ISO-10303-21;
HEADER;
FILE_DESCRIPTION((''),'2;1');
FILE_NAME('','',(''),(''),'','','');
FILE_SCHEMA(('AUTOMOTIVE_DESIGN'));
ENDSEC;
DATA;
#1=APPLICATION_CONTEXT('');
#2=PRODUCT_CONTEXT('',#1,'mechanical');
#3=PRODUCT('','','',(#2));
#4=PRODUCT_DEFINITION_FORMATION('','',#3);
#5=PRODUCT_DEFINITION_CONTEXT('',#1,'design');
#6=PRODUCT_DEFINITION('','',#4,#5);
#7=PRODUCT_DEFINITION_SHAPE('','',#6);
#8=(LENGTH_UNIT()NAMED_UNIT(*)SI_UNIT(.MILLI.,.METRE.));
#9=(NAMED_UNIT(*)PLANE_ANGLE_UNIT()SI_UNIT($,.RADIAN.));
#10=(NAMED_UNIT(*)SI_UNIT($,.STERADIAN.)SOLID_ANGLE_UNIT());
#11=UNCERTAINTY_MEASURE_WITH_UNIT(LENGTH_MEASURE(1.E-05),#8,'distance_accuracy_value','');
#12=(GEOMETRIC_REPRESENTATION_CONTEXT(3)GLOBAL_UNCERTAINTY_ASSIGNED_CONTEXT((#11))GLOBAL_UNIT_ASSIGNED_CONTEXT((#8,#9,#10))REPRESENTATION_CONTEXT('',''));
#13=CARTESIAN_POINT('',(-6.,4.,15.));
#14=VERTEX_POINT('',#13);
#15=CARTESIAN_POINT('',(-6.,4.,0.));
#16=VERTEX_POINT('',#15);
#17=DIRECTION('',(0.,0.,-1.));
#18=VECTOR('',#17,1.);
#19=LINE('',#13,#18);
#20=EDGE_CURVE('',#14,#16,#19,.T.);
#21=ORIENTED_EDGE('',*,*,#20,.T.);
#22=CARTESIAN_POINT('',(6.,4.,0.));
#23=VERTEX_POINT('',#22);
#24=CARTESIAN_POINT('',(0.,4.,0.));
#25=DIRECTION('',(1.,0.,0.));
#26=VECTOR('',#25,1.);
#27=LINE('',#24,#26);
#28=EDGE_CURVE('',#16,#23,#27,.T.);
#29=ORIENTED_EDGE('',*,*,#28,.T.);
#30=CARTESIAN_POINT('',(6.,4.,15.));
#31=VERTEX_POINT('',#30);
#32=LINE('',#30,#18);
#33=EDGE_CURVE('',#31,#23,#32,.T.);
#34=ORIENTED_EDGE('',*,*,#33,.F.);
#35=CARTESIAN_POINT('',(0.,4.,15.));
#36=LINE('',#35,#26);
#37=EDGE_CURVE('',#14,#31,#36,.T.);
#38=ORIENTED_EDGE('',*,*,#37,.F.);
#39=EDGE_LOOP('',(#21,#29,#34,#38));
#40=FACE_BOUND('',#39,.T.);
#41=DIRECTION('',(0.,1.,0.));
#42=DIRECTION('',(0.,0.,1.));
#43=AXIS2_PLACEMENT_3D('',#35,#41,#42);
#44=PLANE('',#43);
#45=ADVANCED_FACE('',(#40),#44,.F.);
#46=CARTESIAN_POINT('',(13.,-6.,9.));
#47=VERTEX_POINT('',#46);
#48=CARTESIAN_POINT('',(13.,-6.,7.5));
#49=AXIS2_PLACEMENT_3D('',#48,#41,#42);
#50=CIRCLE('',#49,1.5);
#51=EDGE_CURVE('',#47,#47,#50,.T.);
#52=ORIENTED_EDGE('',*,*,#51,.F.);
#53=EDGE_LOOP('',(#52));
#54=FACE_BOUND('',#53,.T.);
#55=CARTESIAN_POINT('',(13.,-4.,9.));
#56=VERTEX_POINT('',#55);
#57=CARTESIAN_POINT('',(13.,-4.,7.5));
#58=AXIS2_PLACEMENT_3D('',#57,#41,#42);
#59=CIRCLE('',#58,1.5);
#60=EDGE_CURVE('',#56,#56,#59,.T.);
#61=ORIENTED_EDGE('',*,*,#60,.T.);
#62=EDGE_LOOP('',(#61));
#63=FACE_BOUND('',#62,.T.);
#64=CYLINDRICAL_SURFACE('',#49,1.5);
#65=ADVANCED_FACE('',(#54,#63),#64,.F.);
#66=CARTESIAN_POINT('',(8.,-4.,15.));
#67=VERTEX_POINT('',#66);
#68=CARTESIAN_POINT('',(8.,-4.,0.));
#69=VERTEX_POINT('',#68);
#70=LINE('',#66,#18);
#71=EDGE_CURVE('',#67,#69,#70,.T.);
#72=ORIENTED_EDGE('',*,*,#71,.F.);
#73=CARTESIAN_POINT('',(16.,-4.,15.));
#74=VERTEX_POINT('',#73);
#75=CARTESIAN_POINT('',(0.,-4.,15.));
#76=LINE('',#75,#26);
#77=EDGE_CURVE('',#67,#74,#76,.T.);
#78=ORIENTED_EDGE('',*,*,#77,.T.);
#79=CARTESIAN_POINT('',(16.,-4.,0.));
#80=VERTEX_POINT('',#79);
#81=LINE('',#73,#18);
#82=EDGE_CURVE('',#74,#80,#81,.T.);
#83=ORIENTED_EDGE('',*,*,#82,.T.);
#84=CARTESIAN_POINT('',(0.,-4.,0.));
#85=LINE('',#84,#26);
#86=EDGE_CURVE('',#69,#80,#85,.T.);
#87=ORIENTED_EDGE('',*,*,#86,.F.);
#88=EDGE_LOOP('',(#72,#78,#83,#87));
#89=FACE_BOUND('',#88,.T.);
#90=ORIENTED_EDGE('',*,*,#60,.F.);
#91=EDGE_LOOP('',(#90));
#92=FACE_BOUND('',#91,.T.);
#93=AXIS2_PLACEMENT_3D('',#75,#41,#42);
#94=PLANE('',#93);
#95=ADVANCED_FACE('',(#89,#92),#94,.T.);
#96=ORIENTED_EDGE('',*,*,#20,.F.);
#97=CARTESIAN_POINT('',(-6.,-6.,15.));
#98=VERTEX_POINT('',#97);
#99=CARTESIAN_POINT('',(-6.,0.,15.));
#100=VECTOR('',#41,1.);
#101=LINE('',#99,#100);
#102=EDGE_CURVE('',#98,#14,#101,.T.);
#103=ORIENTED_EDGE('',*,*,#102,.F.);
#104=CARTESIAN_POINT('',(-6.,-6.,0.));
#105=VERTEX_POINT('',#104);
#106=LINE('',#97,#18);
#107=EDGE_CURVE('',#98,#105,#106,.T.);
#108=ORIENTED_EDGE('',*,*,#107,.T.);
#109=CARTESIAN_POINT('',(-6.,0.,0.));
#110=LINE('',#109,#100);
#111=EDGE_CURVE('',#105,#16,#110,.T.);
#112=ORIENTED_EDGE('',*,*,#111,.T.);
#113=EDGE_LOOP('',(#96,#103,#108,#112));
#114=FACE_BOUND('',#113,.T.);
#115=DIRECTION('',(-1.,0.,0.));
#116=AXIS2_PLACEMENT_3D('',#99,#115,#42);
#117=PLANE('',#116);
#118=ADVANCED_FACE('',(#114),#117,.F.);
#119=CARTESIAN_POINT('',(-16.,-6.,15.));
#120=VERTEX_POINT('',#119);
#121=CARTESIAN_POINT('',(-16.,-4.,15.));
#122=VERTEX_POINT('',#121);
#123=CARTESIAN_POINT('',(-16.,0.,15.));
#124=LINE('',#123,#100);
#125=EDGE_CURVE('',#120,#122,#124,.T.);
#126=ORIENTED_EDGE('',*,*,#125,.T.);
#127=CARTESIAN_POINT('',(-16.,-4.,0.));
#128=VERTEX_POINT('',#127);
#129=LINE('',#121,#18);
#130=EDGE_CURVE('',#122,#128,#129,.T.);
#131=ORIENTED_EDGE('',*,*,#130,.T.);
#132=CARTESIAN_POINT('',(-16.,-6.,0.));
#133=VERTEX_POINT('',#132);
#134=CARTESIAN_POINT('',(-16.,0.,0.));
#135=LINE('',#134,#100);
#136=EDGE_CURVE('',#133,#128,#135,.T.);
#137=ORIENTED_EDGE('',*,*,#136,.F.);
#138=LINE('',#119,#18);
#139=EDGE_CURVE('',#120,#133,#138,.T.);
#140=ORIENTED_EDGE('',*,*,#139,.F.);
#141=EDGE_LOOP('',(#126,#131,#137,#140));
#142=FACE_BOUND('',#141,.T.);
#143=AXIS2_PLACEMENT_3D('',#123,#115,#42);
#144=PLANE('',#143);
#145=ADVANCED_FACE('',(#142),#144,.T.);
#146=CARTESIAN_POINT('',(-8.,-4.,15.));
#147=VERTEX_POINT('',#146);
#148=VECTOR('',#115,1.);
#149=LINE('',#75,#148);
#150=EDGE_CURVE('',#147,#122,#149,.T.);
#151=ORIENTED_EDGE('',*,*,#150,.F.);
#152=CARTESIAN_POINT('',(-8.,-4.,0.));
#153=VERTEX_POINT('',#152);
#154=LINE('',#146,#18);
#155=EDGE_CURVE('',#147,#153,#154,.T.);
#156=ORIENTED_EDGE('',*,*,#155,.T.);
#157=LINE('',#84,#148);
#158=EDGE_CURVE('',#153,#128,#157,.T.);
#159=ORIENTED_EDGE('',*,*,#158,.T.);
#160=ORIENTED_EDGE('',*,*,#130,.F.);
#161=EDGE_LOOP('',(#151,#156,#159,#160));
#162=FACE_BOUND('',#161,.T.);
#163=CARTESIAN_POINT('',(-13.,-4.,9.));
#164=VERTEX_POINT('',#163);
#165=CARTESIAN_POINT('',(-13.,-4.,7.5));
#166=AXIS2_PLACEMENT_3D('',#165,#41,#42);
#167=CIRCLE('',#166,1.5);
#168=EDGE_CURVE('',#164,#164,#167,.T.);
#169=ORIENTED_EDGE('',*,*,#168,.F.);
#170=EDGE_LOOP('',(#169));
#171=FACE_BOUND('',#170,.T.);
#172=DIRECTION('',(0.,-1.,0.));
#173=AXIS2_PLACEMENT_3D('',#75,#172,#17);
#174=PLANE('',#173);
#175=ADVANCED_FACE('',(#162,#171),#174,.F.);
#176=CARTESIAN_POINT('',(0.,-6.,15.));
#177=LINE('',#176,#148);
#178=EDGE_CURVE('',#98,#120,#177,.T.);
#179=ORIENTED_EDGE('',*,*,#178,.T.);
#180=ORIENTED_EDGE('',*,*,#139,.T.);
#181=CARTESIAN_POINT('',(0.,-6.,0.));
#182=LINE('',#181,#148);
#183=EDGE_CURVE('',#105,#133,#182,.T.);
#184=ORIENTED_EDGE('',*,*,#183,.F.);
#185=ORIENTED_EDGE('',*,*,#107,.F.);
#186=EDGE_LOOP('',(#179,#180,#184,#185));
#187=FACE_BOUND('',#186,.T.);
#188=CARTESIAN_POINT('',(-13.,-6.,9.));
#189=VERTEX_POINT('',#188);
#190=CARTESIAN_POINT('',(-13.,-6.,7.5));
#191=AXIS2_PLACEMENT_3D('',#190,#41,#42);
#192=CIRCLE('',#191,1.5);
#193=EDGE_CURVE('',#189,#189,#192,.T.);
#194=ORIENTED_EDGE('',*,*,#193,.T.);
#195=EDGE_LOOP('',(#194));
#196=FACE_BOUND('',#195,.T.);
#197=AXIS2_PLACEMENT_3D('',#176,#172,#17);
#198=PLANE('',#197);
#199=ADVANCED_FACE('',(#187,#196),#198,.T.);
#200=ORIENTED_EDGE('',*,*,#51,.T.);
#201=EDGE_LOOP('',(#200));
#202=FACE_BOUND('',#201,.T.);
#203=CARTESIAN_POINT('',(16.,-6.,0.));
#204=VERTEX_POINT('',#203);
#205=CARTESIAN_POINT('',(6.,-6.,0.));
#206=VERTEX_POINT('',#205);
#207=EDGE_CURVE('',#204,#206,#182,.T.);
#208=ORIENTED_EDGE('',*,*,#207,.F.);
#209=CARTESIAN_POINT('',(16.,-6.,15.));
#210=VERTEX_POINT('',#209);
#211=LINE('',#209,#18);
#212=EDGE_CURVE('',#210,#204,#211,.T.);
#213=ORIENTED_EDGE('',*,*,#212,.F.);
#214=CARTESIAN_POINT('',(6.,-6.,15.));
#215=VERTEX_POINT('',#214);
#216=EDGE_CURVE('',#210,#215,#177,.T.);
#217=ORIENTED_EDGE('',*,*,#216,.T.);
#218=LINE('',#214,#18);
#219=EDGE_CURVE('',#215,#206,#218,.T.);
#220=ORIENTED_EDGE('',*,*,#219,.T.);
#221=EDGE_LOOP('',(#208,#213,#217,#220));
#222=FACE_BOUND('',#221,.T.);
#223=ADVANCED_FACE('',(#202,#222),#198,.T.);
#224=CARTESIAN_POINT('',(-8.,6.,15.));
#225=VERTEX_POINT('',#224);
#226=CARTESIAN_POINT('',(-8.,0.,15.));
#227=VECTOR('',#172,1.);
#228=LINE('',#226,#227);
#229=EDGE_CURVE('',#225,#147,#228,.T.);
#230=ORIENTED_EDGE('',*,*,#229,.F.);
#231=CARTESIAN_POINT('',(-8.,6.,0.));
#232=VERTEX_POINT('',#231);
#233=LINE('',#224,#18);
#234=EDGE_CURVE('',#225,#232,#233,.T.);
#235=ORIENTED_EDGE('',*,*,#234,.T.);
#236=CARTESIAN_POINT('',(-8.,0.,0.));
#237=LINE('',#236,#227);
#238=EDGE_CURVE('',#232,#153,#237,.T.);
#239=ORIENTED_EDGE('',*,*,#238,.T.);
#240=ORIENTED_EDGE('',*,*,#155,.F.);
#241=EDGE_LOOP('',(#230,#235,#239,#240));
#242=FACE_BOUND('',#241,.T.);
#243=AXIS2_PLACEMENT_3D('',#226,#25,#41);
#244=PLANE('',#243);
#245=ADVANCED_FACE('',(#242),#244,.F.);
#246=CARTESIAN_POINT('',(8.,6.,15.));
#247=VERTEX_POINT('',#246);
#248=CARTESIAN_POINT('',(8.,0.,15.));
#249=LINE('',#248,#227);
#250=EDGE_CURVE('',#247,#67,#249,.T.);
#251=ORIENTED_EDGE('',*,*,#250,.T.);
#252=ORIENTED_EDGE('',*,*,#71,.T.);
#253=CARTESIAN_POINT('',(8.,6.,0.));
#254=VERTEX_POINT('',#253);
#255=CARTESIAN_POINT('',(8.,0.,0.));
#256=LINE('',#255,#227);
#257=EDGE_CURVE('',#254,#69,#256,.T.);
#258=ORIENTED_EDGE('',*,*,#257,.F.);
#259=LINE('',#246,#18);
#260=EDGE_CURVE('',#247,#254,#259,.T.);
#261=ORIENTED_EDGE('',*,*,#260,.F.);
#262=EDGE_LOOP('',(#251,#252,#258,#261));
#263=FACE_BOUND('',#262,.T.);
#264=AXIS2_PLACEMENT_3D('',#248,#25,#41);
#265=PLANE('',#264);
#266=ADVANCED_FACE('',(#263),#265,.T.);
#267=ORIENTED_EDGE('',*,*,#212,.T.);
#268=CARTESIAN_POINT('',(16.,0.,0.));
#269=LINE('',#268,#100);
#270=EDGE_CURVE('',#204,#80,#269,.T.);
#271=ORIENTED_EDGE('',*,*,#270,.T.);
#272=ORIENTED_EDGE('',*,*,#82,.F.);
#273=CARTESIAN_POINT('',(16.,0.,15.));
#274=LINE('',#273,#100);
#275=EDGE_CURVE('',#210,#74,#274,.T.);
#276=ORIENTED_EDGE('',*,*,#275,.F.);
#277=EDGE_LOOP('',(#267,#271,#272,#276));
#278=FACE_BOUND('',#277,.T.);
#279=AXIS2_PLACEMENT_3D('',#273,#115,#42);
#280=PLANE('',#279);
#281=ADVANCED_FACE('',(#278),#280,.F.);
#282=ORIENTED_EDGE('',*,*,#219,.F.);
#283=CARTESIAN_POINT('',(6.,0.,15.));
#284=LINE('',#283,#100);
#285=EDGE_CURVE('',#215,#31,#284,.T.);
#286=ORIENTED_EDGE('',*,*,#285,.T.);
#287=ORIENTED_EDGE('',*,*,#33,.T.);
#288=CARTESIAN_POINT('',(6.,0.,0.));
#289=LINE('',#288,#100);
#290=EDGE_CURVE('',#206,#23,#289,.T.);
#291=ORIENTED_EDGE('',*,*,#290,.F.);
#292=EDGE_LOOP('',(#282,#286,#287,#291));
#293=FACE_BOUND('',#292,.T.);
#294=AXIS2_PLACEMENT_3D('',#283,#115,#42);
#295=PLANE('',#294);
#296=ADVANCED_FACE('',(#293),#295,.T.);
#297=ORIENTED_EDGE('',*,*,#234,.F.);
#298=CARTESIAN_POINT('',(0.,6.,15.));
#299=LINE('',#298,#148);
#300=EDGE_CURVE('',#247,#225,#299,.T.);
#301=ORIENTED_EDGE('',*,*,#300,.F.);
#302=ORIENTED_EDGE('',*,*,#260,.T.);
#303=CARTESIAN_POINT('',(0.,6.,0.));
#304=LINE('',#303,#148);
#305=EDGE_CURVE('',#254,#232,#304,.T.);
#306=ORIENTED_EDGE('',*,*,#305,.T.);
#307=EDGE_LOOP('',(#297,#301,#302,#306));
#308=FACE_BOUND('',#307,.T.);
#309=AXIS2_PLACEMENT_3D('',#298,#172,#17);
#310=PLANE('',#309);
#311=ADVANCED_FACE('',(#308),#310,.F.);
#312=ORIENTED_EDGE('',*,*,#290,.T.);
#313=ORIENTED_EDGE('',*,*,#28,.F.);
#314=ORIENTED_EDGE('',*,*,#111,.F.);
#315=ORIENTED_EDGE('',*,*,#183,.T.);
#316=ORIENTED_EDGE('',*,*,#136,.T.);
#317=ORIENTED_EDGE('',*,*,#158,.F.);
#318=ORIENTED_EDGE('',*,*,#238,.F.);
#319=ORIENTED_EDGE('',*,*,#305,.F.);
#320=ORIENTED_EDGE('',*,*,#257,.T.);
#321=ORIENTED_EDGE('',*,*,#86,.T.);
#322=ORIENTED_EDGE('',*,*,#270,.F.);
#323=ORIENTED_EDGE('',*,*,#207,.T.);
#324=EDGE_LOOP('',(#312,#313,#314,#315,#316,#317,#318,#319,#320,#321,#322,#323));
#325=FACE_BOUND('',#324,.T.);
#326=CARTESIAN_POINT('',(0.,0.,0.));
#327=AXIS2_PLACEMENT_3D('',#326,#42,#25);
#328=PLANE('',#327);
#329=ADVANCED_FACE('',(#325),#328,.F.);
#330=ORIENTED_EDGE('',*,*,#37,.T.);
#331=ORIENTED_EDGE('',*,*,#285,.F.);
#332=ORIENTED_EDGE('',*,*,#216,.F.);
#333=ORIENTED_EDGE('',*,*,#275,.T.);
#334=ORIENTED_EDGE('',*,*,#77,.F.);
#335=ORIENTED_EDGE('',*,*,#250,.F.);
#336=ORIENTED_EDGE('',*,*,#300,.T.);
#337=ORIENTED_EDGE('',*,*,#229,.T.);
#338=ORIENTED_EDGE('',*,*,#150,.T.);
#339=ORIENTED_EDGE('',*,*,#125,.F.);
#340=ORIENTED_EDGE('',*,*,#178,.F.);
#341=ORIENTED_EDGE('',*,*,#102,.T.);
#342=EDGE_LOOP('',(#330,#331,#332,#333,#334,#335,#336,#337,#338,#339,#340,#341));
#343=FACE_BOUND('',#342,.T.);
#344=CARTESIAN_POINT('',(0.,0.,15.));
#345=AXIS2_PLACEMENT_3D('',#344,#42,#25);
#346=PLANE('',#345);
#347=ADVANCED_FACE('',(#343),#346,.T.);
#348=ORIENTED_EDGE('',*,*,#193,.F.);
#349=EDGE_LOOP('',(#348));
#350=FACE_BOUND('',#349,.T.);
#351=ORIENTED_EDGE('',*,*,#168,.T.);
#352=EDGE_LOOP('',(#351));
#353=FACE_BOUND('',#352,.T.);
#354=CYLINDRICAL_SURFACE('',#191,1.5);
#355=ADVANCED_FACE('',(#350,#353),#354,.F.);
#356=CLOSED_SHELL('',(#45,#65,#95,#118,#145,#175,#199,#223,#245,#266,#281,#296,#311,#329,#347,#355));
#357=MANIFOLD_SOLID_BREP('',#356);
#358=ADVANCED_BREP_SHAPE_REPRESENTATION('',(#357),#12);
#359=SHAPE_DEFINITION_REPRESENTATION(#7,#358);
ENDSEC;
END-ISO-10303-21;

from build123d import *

# Parameters (mm, degrees)
BOSS_EXTRUDE1_DEPTH = 15
SKETCH2_R           = 1.5
CUT_EXTRUDE1_DEPTH  = 25.103941586


with BuildPart() as part:
    # Sketch1 → Boss-Extrude1 (new body)
    with BuildSketch(Plane.XY):
        Polygon((6, -6), (16, -6), (16, -4), (8, -4), (8, 6), (-8, 6), (-8, -4), (-16, -4), (-16, -6), (-6, -6), (-6, 4), (6, 4), align=None)
    extrude(amount=BOSS_EXTRUDE1_DEPTH)

    # Sketch2 → Cut-Extrude1 (cut, through all)
    with BuildSketch(Plane(origin=(0, -4, 0), x_dir=(1, 0, 0), z_dir=(0, 1, 0))):
        with Locations(Location((-13, -7.5, 0), (0, 0, 270))):
            Circle(SKETCH2_R)
        with Locations(Location((13, -7.5, 0), (0, 0, 270))):
            Circle(SKETCH2_R)
    extrude(amount=-CUT_EXTRUDE1_DEPTH, mode=Mode.SUBTRACT)


solid = part.part
